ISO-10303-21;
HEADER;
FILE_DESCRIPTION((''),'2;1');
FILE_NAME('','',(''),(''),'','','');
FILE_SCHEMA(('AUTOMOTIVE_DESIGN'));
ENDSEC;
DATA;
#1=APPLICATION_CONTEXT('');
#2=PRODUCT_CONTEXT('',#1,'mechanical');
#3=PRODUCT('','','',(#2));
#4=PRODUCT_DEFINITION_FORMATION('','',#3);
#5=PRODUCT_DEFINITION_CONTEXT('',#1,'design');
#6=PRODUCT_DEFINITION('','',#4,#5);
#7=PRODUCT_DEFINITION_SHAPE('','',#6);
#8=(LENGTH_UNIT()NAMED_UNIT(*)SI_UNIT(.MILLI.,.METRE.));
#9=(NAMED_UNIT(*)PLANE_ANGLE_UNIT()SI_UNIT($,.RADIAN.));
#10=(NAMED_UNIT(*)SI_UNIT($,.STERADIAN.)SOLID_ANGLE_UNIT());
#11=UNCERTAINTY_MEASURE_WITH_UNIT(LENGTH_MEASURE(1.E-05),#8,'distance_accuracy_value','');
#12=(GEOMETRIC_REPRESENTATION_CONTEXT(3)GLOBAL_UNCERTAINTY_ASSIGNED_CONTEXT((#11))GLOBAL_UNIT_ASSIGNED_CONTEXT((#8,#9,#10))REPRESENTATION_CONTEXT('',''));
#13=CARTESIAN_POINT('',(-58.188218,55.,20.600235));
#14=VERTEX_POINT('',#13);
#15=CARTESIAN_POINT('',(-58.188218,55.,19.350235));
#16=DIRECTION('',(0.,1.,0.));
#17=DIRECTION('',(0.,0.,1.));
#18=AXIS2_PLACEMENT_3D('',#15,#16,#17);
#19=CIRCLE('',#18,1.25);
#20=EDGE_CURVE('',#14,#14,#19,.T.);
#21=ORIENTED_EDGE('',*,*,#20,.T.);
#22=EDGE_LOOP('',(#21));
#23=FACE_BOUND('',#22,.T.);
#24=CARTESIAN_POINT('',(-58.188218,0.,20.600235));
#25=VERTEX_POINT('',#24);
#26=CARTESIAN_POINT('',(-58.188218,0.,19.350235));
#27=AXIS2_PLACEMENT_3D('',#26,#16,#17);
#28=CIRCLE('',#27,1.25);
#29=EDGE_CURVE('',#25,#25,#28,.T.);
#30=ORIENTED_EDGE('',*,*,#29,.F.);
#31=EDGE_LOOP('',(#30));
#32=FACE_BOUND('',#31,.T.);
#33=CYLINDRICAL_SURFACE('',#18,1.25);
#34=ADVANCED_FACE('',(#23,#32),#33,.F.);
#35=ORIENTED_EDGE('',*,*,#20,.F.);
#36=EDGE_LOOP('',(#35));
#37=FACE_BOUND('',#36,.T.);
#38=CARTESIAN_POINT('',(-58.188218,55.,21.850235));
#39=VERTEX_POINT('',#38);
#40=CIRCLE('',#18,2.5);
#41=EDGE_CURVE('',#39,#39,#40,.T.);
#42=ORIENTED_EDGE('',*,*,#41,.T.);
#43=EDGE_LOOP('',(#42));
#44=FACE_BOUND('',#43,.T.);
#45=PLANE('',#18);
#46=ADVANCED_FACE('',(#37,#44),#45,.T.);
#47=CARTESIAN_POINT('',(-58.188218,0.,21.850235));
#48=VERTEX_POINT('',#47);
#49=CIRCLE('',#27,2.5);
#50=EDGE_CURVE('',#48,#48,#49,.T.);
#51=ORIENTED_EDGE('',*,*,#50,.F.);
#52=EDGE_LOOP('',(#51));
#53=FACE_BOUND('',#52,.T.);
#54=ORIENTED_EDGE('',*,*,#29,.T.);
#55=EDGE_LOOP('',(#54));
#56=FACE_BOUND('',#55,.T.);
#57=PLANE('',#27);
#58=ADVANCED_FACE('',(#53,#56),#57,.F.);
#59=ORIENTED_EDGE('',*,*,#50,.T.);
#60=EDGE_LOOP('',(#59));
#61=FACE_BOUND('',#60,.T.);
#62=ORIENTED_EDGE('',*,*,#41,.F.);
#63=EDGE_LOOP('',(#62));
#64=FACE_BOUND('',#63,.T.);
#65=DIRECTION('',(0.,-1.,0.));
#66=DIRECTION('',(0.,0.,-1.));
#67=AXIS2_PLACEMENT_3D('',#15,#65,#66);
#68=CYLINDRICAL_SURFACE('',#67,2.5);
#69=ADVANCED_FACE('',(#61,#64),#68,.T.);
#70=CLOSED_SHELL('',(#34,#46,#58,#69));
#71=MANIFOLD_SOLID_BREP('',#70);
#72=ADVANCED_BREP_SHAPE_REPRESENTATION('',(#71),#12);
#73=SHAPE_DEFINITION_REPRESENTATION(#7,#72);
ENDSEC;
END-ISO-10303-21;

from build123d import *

# Parameters (mm, degrees)
SKETCH1_R                  = 2.5
BOSS_EXTRUDE2_DEPTH        = 55
F_2_5_2_5_DIAMETER_HOLE1_D = 2.5


with BuildPart() as part:
    # Sketch1 → Boss-Extrude2 (new body)
    with BuildSketch(Plane(origin=(0, 0, 0), x_dir=(1, 0, 0), z_dir=(0, 1, 0))):
        with Locations(Location((-58.188217949, -19.350235378, 0), (0, 0, 270))):
            Circle(SKETCH1_R)
    extrude(amount=BOSS_EXTRUDE2_DEPTH)

    # Ø2.5 (2.5) Diameter Hole1 (through all)
    with Locations(Plane(origin=(0, 55, 0), x_dir=(1, 0, 0), z_dir=(0, 1, 0))):
        with Locations((-58.188217949, -19.350235378)):
            Hole(F_2_5_2_5_DIAMETER_HOLE1_D / 2)


solid = part.part
